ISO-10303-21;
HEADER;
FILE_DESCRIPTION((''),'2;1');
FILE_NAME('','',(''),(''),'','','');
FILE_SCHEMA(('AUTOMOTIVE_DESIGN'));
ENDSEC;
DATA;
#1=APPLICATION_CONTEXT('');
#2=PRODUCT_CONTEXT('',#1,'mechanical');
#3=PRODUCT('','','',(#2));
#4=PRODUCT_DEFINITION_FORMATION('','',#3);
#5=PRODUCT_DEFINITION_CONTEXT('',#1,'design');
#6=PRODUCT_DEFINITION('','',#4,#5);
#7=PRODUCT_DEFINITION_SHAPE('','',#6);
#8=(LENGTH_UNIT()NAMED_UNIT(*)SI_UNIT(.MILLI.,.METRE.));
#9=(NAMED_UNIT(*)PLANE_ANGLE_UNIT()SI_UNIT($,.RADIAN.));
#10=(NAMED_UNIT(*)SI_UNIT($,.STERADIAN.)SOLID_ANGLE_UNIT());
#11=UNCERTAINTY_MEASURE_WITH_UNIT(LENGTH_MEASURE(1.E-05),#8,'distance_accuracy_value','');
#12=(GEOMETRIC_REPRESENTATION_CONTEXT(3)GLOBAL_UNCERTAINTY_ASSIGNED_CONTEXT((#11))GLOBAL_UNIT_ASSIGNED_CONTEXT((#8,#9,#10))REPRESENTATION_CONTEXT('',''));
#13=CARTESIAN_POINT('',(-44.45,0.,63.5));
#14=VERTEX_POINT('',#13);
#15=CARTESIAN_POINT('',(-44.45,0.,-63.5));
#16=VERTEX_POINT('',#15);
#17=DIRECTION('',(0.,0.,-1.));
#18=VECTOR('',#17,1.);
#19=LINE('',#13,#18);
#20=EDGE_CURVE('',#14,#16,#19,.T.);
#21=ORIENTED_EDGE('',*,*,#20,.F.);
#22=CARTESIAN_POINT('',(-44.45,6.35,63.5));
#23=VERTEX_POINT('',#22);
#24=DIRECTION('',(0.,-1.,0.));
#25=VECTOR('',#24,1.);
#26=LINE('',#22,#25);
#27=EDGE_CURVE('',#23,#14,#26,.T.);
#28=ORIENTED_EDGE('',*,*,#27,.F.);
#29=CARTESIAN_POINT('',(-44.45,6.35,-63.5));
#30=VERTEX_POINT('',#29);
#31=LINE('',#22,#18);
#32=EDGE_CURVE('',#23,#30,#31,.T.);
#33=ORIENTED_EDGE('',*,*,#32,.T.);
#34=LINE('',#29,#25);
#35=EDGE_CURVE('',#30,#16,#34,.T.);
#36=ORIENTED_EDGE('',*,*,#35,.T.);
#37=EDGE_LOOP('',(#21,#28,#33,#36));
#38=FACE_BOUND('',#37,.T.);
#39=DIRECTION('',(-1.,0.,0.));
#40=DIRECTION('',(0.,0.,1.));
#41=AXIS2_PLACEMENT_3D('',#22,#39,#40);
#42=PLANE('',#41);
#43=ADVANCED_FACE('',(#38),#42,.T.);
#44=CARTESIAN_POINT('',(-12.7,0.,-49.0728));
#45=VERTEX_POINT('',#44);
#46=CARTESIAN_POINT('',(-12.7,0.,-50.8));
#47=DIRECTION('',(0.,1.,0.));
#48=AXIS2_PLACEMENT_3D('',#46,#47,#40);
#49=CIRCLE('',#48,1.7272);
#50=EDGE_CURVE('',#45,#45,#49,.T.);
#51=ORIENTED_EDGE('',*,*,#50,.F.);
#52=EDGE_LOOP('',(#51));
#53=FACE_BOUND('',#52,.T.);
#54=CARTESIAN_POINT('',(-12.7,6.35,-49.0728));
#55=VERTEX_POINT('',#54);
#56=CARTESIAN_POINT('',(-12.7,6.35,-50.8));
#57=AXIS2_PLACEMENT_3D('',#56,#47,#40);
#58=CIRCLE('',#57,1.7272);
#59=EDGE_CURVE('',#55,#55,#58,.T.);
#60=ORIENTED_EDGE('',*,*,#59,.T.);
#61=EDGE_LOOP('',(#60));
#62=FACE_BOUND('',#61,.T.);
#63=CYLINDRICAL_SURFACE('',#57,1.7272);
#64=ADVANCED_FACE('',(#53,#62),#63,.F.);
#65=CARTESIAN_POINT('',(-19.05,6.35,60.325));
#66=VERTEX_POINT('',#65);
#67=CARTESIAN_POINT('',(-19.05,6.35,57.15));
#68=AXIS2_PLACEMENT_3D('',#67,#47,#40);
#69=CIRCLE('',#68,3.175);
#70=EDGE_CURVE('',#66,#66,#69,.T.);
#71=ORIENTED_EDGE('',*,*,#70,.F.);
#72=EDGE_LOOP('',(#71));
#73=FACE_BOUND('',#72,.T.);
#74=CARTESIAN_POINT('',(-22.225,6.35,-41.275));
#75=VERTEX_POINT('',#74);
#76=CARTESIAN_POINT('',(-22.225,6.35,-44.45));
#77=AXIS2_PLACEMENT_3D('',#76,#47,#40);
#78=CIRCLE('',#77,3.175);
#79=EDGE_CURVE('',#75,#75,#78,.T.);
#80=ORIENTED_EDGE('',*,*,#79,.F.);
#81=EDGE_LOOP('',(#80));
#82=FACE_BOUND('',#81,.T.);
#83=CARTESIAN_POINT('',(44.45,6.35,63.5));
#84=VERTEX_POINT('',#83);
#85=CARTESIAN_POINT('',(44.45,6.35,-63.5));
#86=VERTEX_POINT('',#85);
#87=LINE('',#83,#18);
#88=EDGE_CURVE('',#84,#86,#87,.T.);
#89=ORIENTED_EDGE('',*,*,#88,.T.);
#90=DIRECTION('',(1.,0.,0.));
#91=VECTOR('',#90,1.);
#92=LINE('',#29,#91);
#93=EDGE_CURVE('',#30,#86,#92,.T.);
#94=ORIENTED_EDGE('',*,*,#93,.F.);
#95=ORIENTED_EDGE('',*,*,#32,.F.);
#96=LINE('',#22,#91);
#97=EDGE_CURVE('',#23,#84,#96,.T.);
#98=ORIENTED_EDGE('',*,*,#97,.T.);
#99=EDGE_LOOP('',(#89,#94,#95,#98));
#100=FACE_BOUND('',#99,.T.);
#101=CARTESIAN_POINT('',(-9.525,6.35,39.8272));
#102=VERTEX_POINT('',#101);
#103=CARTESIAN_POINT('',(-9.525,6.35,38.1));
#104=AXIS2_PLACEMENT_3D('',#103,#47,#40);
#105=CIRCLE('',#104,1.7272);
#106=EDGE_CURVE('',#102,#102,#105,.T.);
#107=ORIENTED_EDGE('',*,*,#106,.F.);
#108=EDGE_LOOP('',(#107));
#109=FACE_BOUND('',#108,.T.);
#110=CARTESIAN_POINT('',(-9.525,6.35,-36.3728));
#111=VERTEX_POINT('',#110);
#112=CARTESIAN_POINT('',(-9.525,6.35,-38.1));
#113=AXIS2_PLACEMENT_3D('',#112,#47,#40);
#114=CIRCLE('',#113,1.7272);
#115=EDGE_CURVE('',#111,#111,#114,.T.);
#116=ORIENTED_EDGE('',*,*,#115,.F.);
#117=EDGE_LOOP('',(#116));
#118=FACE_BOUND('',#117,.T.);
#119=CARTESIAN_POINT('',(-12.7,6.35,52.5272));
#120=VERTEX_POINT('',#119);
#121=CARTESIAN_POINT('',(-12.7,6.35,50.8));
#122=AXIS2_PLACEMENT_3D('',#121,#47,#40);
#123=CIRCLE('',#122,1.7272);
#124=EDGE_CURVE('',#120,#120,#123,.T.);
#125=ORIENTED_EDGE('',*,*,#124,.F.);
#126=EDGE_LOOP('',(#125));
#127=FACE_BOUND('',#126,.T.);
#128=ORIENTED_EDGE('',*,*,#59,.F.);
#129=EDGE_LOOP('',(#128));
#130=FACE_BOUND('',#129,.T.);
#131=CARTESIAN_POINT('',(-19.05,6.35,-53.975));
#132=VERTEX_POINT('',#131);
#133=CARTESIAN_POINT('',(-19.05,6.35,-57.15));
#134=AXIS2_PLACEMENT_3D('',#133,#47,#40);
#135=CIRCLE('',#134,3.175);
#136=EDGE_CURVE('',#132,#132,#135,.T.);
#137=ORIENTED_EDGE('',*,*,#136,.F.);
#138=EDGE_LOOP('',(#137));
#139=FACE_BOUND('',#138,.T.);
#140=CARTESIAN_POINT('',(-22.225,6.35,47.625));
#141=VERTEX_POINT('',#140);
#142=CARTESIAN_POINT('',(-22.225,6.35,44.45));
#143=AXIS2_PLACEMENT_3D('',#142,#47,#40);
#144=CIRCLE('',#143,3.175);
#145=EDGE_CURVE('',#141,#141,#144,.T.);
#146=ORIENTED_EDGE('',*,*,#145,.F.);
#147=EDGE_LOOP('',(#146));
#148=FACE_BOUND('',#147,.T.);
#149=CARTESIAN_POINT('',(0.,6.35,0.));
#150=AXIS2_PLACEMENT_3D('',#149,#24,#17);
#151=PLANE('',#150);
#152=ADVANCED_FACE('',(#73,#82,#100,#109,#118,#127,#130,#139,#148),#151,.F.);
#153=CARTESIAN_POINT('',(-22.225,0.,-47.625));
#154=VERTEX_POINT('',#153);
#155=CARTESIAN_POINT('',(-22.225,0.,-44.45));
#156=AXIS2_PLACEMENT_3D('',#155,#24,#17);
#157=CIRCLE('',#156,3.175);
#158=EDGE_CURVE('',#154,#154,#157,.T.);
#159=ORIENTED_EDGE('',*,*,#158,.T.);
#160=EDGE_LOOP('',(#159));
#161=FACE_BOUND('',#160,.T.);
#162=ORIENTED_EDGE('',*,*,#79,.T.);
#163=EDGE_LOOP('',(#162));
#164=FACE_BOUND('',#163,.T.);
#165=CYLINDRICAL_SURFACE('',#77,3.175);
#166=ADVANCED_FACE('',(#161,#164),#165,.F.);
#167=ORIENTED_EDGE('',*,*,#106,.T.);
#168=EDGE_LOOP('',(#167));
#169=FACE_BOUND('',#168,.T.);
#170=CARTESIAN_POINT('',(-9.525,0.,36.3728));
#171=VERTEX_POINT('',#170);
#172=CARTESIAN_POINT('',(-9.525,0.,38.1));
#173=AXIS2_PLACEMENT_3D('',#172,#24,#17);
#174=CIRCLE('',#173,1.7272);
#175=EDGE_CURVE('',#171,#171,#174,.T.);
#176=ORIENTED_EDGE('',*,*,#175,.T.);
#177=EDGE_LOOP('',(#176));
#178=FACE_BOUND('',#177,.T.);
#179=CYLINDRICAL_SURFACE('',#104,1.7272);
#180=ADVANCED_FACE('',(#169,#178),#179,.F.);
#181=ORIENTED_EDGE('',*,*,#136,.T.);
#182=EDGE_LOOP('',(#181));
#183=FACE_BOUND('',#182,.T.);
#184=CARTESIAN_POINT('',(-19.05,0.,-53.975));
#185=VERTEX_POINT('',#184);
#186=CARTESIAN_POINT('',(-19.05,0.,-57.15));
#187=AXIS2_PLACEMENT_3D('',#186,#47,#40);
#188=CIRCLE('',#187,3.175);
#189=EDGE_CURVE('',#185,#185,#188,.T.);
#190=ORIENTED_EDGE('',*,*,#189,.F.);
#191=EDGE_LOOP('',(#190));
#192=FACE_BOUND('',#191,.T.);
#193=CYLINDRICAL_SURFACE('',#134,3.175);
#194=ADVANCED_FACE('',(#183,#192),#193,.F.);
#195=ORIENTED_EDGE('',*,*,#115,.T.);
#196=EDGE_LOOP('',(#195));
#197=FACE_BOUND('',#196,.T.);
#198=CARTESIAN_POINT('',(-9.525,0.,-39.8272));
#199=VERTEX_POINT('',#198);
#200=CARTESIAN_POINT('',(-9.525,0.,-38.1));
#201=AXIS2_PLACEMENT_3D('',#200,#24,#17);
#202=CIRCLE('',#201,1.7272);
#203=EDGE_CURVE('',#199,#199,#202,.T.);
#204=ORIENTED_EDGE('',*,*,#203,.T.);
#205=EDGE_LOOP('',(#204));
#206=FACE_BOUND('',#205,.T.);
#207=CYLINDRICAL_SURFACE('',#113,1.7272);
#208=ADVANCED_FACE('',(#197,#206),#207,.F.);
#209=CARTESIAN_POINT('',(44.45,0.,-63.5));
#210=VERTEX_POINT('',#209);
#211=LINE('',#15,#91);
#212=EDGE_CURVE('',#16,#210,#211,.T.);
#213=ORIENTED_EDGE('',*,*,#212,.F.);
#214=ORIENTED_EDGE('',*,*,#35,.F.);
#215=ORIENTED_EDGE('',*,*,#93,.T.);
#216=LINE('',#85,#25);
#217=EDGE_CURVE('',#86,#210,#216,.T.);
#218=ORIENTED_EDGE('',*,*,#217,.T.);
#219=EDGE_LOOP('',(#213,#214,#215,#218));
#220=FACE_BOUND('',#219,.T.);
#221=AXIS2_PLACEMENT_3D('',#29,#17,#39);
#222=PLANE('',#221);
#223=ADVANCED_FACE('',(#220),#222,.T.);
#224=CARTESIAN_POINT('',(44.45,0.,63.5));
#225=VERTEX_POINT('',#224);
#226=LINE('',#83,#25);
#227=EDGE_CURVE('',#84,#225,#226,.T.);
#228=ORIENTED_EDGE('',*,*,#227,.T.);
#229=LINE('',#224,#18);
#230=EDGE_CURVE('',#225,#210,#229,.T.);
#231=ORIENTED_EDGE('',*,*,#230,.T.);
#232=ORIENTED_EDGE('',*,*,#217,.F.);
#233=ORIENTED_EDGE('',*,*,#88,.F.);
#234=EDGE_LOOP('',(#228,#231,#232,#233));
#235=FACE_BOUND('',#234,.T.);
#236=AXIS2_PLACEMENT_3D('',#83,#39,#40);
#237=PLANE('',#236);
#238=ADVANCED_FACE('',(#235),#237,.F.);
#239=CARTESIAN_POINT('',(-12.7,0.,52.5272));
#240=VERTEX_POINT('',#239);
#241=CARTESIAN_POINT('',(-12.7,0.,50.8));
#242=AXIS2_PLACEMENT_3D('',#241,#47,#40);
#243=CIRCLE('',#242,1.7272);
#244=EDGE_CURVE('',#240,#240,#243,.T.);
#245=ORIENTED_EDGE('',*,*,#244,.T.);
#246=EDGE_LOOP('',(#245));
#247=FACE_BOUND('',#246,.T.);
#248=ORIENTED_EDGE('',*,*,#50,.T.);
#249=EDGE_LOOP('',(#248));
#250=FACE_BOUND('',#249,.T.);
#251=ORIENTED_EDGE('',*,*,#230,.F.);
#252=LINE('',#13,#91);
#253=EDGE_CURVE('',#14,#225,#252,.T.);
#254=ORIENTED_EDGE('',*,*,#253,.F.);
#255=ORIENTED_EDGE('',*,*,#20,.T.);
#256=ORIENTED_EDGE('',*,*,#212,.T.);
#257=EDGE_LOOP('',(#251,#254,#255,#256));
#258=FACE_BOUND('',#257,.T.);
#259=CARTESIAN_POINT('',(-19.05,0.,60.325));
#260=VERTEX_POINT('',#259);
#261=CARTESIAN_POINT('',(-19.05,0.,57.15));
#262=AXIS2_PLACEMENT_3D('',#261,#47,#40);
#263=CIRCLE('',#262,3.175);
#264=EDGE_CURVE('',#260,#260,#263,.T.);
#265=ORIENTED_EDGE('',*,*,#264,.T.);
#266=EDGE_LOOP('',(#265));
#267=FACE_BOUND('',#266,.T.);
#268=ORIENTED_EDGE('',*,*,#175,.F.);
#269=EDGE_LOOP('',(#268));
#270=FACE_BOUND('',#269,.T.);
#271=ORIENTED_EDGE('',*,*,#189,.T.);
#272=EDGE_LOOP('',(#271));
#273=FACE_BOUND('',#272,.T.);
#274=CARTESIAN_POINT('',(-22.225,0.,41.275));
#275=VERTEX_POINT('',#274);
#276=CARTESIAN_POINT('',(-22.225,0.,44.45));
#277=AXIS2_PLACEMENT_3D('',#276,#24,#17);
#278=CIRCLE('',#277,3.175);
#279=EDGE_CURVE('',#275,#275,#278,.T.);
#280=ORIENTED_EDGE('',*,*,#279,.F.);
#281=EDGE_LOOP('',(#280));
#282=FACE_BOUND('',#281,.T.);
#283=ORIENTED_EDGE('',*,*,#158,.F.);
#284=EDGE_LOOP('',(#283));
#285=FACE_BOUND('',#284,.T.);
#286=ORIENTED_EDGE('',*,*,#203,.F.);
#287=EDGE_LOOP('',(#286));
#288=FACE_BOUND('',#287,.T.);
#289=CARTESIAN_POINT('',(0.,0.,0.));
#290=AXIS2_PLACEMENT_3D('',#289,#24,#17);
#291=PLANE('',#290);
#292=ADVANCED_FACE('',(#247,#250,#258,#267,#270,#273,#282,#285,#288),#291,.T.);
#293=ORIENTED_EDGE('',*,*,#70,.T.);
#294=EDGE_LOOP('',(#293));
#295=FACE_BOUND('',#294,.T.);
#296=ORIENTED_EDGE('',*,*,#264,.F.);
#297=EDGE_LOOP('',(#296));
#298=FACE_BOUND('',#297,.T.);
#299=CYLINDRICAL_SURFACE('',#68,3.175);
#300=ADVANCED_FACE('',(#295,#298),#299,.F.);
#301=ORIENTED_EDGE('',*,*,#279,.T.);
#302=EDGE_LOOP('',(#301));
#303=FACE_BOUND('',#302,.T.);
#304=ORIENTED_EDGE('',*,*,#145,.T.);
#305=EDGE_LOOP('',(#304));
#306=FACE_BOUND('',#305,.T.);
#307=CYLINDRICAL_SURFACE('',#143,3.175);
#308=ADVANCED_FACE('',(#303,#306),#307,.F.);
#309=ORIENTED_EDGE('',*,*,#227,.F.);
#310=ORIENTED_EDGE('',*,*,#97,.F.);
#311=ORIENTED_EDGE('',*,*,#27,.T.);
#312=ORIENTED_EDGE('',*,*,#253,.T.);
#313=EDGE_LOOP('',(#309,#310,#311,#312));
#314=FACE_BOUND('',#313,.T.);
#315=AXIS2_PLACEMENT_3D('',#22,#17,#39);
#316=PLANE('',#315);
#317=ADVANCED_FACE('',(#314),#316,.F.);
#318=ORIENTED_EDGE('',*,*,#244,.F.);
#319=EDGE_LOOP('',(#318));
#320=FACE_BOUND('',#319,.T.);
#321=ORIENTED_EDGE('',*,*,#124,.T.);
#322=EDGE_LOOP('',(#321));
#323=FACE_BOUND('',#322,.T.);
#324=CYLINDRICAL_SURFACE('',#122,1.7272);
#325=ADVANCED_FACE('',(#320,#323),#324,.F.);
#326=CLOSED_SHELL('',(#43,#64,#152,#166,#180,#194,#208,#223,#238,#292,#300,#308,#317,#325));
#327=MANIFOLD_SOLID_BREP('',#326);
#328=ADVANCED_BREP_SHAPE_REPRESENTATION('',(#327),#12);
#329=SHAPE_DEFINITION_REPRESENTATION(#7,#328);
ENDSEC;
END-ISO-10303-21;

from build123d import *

# Parameters (mm, degrees)
SKETCH1_W                  = 88.9
SKETCH1_H                  = 127
BOSS_EXTRUDE1_DEPTH        = 6.35
F_1_4_0_2500_DOWEL_HOLE1_D = 6.35
F_8_32_TAPPED_HOLE1_D      = 3.4544
F_1_4_0_2500_DOWEL_HOLE2_D = 6.35
F_8_32_TAPPED_HOLE2_D      = 3.4544


with BuildPart() as part:
    # Sketch1 → Boss-Extrude1 (new body)
    with BuildSketch(Plane(origin=(0, 0, 0), x_dir=(1, 0, 0), z_dir=(0, 1, 0))):
        Rectangle(SKETCH1_W, SKETCH1_H)
    extrude(amount=BOSS_EXTRUDE1_DEPTH)

    # 1/4 (0.2500) Dowel Hole1 (through all)
    with Locations(Plane(origin=(0, 6.35, 0), x_dir=(1, 0, 0), z_dir=(0, 1, 0))):
        with Locations((-22.225, -44.45), (-22.225, 44.45)):
            Hole(F_1_4_0_2500_DOWEL_HOLE1_D / 2)

    # #8-32 Tapped Hole1 (through all)
    with Locations(Plane(origin=(0, 6.35, 0), x_dir=(1, 0, 0), z_dir=(0, 1, 0))):
        with Locations((-9.525, -38.1), (-9.525, 38.1)):
            Hole(F_8_32_TAPPED_HOLE1_D / 2)

    # 1/4 (0.2500) Dowel Hole2 (through all)
    with Locations(Plane(origin=(0, 6.35, 0), x_dir=(1, 0, 0), z_dir=(0, 1, 0))):
        with Locations((-19.05, 57.15), (-19.05, -57.15)):
            Hole(F_1_4_0_2500_DOWEL_HOLE2_D / 2)

    # #8-32 Tapped Hole2 (through all)
    with Locations(Plane(origin=(0, 6.35, 0), x_dir=(1, 0, 0), z_dir=(0, 1, 0))):
        with Locations((-12.7, 50.8), (-12.7, -50.8)):
            Hole(F_8_32_TAPPED_HOLE2_D / 2)


solid = part.part
